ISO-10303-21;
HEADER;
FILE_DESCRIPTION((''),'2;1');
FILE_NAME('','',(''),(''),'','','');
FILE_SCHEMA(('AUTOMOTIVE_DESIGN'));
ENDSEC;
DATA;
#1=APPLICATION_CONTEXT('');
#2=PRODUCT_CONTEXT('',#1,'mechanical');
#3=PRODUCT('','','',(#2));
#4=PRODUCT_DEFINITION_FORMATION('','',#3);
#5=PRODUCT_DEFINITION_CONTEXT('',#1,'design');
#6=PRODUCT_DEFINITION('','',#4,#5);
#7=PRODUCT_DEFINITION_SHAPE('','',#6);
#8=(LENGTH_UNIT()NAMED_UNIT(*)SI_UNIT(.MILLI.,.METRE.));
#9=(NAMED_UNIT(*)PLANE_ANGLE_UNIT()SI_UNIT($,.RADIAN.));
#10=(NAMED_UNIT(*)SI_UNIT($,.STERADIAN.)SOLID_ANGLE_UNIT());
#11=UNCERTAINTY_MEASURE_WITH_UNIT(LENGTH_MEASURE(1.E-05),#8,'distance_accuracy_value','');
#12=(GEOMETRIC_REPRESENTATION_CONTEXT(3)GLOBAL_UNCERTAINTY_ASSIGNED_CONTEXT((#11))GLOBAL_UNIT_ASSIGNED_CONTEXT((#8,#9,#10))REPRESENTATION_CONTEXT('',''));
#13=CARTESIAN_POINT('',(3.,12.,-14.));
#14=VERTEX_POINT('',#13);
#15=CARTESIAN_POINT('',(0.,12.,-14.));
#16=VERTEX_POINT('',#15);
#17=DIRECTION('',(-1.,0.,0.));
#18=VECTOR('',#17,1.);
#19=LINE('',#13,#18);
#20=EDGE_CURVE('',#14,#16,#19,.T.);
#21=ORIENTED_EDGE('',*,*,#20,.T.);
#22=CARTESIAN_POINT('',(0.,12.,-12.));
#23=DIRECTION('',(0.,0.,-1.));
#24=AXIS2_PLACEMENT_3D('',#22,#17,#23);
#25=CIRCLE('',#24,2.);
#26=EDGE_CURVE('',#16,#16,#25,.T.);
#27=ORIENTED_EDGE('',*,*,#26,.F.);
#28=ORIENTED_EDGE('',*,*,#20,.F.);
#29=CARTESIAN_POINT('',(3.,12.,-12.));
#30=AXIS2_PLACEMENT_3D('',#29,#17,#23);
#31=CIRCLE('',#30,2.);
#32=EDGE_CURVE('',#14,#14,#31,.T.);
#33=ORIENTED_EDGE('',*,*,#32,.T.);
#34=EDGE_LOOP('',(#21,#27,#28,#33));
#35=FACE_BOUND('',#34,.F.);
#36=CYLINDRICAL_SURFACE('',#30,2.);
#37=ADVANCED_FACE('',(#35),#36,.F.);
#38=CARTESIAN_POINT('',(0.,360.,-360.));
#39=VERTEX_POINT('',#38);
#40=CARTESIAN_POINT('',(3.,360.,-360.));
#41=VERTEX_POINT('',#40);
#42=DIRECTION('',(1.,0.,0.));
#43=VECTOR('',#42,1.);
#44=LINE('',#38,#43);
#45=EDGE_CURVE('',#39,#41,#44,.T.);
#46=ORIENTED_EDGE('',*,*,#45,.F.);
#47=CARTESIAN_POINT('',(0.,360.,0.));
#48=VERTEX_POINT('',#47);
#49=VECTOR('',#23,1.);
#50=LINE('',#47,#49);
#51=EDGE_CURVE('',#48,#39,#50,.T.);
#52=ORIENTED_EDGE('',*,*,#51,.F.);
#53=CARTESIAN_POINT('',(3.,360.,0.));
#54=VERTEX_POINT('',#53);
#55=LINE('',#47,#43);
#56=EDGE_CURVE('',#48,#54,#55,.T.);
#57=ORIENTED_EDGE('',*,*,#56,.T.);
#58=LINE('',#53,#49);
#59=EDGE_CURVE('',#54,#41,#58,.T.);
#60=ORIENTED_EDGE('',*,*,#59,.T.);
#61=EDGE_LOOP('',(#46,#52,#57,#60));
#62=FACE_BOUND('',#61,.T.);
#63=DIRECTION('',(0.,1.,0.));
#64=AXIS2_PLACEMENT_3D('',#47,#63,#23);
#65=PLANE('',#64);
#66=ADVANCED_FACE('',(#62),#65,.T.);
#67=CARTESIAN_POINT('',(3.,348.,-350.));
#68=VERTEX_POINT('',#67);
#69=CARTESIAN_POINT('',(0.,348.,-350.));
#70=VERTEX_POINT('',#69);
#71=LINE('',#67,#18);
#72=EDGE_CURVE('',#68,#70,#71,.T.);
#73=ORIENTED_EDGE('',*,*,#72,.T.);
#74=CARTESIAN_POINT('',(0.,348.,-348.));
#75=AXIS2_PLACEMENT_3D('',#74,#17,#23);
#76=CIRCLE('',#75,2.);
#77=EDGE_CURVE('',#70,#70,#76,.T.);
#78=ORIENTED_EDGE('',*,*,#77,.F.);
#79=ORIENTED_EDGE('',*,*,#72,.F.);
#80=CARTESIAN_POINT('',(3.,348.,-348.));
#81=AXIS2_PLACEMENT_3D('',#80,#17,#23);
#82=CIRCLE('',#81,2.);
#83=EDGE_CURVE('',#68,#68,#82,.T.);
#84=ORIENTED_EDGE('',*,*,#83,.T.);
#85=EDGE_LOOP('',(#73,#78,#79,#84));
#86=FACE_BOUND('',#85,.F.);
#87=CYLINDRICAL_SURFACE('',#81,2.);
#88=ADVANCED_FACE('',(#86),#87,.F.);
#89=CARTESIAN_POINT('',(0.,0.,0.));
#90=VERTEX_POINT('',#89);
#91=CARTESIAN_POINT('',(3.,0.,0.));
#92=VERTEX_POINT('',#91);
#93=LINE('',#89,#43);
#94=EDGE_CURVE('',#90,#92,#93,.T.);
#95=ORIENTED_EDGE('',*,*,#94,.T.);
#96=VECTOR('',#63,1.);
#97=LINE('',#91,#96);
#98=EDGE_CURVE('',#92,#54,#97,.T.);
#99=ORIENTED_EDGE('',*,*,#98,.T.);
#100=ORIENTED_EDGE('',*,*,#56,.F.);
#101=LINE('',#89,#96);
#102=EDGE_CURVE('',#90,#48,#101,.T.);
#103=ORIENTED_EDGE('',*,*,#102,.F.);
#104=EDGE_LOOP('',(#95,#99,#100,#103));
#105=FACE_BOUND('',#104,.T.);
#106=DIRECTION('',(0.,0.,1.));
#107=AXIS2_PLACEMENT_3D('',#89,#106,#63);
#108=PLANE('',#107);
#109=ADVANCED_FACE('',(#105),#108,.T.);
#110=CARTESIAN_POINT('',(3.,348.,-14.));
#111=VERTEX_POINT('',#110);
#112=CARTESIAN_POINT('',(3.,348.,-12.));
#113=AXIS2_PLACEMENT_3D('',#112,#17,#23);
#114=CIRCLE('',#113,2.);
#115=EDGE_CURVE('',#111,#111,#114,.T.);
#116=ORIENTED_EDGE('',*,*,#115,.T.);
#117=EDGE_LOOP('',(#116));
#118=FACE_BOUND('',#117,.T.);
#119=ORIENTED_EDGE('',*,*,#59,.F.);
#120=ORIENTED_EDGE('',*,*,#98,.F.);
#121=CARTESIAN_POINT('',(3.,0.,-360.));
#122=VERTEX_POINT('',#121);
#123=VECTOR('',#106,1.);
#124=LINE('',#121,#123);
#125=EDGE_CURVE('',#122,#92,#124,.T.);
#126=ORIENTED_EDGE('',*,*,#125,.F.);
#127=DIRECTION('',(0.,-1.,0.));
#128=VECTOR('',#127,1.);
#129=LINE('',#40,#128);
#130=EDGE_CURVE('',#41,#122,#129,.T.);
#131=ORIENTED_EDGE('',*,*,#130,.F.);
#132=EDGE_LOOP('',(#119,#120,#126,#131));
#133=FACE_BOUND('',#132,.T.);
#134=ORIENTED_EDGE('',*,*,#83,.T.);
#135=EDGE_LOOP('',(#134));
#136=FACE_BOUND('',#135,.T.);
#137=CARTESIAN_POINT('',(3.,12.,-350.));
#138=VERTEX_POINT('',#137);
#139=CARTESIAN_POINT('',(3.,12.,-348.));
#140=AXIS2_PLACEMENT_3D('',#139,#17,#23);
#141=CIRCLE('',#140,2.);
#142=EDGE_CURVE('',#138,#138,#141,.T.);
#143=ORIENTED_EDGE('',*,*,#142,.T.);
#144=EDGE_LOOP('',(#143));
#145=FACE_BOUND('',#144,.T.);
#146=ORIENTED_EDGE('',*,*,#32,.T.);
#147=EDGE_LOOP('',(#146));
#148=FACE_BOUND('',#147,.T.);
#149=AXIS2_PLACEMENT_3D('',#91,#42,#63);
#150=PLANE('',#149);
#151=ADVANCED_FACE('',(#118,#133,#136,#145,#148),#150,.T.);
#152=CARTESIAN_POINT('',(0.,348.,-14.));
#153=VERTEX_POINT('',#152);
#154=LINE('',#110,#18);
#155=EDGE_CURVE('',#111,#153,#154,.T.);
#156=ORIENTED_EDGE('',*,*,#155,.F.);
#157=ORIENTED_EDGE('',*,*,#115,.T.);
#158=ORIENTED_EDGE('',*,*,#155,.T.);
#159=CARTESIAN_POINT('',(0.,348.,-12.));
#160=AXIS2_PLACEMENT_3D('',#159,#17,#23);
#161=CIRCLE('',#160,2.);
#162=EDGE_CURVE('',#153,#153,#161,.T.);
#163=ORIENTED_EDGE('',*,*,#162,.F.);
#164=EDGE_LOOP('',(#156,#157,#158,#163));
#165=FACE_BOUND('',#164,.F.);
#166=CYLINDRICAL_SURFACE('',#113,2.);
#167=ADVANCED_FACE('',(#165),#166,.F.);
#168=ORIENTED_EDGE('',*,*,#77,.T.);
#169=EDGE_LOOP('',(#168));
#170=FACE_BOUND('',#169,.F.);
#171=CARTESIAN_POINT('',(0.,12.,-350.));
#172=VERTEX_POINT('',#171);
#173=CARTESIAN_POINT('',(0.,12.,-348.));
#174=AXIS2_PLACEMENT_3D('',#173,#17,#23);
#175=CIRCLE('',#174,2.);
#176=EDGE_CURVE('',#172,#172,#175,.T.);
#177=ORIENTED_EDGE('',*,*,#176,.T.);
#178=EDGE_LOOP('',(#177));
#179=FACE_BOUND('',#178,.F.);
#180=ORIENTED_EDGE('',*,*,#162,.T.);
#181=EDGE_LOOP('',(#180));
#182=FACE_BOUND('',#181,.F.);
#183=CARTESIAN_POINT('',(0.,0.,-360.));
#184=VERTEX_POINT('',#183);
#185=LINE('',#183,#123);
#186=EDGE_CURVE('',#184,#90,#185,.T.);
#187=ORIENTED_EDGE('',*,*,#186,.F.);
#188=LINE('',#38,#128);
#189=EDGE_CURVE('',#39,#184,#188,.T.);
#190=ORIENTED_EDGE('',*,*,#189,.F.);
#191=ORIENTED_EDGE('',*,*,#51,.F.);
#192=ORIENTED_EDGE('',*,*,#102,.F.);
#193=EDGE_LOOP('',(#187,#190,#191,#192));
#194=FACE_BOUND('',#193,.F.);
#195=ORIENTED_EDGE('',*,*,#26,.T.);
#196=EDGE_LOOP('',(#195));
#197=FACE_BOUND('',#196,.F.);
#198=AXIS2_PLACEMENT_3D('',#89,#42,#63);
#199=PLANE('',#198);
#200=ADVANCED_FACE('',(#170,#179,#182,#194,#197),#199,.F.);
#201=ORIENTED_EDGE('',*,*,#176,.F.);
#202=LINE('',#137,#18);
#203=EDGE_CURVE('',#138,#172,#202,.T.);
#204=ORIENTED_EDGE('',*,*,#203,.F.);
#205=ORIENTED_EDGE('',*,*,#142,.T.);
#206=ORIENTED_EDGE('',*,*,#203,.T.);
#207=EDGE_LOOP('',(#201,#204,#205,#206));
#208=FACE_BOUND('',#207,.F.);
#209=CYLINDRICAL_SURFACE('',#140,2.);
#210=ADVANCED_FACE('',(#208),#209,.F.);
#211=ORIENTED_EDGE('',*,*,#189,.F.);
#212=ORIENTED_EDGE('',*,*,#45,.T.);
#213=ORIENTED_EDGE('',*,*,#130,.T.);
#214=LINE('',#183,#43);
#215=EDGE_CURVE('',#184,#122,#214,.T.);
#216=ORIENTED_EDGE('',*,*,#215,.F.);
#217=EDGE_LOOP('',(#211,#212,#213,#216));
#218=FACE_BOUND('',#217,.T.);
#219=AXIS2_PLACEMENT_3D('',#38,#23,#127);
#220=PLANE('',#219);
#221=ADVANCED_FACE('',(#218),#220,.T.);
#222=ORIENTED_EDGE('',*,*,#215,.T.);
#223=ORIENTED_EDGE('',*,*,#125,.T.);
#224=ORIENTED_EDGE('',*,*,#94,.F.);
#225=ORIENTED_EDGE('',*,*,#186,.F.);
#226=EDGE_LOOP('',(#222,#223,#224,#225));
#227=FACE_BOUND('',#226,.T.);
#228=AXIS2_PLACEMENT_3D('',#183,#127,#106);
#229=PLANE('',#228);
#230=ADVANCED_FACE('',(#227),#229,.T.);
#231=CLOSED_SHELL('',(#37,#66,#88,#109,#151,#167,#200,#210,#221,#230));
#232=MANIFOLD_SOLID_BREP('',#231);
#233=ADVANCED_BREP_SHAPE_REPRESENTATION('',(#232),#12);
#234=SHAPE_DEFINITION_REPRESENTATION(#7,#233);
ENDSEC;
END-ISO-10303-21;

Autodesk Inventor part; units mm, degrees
ref_plane "YZ Plane" through (0, 0, 0) normal (1, 0, 0) x (0, 1, 0)
ref_plane "XZ Plane" through (0, 0, 0) normal (0, 1, 0) x (-1, 0, 0)
ref_plane "XY Plane" through (0, 0, 0) normal (0, 0, 1) x (1, 0, 0)
sketch "Sketch1" plane through (0, 0, 0) normal (1, 0, 0) x (0, 1, 0)
  line L0 (0, 0) -> (360, 0)
  line L1 (360, 0) -> (360, -360)
  line L2 (360, -360) -> (0, -360)
  line L3 (0, -360) -> (0, 0)
  dimension "d0" = 360
  dimension "d1" = 360
extrude "Extrusion1" add sketch "Sketch1" along normal blind 3
hole "Hole1" at (3, 12, -12) direction (-1, 0, 0) diameter 4 end through all
hole "Hole2" at (3, 12, -348) direction (-1, 0, 0) diameter 4 end through all
hole "Hole3" at (3, 348, -12) direction (-1, 0, 0) diameter 4 end through all
hole "Hole4" at (3, 348, -348) direction (-1, 0, 0) diameter 4 end through all
properties part number "FrameBack" material "Dibond"
